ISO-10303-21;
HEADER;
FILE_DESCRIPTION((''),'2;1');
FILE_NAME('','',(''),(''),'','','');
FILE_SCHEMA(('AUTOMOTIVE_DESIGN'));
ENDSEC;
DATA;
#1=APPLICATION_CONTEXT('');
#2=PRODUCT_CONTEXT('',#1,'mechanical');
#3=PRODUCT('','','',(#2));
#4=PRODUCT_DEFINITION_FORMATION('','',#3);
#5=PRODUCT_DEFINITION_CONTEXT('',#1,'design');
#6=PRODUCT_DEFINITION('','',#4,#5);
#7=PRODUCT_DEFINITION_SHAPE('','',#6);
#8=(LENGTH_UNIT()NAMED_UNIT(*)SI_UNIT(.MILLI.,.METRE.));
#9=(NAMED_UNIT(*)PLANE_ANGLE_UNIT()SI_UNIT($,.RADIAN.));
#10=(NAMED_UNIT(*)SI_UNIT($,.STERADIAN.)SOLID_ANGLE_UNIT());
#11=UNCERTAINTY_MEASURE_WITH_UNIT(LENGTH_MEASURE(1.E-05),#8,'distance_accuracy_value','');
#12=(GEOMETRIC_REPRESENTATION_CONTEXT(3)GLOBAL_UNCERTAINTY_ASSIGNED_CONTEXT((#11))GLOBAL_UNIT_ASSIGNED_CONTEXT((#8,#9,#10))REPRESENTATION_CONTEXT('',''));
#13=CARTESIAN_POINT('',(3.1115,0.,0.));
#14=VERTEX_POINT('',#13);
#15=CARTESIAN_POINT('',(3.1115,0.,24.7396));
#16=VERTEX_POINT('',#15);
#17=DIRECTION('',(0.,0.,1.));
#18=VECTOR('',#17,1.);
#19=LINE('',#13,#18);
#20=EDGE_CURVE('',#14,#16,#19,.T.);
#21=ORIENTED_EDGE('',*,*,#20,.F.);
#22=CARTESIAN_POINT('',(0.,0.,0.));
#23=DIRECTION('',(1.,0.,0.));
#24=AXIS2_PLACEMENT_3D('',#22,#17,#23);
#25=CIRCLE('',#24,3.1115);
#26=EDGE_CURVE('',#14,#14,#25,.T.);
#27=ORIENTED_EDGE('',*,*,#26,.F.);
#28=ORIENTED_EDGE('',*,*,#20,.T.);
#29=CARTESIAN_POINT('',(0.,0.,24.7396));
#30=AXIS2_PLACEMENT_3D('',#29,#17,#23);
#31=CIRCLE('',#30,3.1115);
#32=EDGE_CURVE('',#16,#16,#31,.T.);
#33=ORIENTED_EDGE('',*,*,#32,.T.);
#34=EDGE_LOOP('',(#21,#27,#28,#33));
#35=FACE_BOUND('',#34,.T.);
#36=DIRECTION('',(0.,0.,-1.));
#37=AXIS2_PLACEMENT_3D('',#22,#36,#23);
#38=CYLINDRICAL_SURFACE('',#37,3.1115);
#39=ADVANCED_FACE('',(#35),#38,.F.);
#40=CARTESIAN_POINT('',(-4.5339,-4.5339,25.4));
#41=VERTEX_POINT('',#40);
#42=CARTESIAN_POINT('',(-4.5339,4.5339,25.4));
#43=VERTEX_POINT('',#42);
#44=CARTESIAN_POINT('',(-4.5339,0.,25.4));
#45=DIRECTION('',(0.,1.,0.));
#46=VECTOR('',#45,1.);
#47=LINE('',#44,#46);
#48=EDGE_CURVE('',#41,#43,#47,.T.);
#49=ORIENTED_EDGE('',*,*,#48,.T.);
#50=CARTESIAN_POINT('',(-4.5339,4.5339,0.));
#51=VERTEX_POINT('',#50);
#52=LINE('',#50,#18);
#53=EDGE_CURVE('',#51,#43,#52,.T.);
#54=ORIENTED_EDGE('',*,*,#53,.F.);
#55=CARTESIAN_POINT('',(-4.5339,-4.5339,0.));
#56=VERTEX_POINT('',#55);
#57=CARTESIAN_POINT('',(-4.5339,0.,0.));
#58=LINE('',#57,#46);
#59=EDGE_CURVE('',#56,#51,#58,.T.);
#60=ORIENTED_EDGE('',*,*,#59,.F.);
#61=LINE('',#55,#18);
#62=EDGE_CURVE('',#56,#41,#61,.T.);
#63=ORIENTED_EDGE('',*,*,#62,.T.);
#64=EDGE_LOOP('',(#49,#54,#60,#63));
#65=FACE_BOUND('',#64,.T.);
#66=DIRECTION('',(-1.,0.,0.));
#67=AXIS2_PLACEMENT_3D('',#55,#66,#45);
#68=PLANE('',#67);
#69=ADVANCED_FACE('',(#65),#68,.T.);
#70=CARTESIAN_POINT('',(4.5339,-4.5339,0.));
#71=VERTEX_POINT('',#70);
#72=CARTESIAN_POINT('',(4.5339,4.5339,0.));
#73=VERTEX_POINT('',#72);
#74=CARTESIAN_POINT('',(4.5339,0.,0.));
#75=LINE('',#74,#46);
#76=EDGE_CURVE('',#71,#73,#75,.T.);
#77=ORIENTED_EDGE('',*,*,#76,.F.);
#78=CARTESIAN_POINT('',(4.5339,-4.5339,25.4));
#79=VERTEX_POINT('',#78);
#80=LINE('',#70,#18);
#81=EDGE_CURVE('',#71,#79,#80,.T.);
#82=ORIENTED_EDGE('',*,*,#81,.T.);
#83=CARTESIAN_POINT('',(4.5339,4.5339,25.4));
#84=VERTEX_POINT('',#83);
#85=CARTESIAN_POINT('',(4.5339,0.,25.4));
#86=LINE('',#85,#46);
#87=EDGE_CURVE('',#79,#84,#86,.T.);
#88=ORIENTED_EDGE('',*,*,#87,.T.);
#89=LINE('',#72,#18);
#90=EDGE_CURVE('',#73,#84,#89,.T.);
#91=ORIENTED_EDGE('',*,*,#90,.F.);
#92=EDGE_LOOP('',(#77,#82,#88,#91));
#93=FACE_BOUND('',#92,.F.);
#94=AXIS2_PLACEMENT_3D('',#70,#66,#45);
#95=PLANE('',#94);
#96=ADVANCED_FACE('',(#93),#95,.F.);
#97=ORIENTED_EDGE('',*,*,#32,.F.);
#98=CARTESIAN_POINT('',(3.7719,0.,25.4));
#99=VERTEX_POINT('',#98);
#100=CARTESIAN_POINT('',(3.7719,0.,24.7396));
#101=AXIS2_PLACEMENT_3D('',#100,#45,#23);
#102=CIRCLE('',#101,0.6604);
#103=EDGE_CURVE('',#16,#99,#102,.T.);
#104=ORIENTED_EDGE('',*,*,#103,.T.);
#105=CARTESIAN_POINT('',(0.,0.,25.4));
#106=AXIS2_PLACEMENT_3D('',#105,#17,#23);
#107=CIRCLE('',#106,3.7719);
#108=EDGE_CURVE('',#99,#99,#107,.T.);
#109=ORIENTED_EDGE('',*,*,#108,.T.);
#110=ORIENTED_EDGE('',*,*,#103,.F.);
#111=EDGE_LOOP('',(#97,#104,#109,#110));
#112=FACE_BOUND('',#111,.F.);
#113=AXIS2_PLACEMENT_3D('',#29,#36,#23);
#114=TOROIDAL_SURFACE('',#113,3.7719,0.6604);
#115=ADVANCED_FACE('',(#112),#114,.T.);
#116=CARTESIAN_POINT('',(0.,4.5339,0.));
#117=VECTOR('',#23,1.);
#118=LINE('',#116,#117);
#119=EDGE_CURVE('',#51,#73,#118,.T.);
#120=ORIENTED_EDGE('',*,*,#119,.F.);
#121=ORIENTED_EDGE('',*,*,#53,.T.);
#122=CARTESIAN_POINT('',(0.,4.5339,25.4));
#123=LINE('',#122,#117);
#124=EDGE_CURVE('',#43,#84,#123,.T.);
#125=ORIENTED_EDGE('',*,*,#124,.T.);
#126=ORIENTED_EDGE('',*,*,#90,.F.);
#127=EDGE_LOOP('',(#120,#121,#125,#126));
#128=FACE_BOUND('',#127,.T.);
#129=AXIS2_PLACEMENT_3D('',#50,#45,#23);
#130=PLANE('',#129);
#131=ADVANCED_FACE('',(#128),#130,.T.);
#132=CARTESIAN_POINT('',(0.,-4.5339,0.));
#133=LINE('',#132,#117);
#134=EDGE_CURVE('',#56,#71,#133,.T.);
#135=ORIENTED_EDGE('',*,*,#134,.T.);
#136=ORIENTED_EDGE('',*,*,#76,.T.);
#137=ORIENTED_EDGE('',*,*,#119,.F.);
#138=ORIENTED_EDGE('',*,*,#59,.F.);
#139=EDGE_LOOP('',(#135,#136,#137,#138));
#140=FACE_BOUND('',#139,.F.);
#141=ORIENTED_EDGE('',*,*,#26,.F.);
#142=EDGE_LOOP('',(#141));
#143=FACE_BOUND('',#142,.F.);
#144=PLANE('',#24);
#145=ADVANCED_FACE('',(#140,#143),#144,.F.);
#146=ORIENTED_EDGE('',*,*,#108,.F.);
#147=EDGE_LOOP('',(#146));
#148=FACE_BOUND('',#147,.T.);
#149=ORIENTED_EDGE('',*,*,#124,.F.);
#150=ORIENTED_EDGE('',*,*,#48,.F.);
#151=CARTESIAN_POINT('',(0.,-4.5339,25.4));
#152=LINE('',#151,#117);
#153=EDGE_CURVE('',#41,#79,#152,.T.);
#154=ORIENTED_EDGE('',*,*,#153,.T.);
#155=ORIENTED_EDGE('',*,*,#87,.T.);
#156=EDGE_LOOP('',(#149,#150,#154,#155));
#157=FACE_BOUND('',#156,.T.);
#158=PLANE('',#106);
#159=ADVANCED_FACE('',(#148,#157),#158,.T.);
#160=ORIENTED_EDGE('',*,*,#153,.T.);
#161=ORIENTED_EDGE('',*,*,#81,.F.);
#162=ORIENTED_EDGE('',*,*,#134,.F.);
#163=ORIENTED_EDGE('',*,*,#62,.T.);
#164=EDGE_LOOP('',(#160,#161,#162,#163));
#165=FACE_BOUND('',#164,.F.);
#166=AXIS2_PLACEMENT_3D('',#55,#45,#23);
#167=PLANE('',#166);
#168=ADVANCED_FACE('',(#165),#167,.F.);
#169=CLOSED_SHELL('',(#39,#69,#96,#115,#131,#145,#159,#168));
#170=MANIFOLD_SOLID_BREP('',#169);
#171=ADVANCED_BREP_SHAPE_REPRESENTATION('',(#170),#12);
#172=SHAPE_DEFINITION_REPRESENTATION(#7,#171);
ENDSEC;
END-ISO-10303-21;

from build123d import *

# Parameters (mm, degrees)
F0_W     = 9.0678
F0_H     = 9.0678
F0_R     = 3.1115
F1_DEPTH = 25.4
F2_R     = 0.6604


with BuildPart() as f1:
    # F0 (on Top) → F1 (new body)
    with BuildSketch(Plane.XY):
        Rectangle(F0_W, F0_H)
        Circle(F0_R, mode=Mode.SUBTRACT)
    extrude(amount=F1_DEPTH)

    # F2
    f2_edges = [f1.edges().sort_by_distance(p)[0] for p in [
        (-3.1115, 0, 25.4),
    ]]
    fillet(f2_edges, radius=F2_R)


solid = f1.part
